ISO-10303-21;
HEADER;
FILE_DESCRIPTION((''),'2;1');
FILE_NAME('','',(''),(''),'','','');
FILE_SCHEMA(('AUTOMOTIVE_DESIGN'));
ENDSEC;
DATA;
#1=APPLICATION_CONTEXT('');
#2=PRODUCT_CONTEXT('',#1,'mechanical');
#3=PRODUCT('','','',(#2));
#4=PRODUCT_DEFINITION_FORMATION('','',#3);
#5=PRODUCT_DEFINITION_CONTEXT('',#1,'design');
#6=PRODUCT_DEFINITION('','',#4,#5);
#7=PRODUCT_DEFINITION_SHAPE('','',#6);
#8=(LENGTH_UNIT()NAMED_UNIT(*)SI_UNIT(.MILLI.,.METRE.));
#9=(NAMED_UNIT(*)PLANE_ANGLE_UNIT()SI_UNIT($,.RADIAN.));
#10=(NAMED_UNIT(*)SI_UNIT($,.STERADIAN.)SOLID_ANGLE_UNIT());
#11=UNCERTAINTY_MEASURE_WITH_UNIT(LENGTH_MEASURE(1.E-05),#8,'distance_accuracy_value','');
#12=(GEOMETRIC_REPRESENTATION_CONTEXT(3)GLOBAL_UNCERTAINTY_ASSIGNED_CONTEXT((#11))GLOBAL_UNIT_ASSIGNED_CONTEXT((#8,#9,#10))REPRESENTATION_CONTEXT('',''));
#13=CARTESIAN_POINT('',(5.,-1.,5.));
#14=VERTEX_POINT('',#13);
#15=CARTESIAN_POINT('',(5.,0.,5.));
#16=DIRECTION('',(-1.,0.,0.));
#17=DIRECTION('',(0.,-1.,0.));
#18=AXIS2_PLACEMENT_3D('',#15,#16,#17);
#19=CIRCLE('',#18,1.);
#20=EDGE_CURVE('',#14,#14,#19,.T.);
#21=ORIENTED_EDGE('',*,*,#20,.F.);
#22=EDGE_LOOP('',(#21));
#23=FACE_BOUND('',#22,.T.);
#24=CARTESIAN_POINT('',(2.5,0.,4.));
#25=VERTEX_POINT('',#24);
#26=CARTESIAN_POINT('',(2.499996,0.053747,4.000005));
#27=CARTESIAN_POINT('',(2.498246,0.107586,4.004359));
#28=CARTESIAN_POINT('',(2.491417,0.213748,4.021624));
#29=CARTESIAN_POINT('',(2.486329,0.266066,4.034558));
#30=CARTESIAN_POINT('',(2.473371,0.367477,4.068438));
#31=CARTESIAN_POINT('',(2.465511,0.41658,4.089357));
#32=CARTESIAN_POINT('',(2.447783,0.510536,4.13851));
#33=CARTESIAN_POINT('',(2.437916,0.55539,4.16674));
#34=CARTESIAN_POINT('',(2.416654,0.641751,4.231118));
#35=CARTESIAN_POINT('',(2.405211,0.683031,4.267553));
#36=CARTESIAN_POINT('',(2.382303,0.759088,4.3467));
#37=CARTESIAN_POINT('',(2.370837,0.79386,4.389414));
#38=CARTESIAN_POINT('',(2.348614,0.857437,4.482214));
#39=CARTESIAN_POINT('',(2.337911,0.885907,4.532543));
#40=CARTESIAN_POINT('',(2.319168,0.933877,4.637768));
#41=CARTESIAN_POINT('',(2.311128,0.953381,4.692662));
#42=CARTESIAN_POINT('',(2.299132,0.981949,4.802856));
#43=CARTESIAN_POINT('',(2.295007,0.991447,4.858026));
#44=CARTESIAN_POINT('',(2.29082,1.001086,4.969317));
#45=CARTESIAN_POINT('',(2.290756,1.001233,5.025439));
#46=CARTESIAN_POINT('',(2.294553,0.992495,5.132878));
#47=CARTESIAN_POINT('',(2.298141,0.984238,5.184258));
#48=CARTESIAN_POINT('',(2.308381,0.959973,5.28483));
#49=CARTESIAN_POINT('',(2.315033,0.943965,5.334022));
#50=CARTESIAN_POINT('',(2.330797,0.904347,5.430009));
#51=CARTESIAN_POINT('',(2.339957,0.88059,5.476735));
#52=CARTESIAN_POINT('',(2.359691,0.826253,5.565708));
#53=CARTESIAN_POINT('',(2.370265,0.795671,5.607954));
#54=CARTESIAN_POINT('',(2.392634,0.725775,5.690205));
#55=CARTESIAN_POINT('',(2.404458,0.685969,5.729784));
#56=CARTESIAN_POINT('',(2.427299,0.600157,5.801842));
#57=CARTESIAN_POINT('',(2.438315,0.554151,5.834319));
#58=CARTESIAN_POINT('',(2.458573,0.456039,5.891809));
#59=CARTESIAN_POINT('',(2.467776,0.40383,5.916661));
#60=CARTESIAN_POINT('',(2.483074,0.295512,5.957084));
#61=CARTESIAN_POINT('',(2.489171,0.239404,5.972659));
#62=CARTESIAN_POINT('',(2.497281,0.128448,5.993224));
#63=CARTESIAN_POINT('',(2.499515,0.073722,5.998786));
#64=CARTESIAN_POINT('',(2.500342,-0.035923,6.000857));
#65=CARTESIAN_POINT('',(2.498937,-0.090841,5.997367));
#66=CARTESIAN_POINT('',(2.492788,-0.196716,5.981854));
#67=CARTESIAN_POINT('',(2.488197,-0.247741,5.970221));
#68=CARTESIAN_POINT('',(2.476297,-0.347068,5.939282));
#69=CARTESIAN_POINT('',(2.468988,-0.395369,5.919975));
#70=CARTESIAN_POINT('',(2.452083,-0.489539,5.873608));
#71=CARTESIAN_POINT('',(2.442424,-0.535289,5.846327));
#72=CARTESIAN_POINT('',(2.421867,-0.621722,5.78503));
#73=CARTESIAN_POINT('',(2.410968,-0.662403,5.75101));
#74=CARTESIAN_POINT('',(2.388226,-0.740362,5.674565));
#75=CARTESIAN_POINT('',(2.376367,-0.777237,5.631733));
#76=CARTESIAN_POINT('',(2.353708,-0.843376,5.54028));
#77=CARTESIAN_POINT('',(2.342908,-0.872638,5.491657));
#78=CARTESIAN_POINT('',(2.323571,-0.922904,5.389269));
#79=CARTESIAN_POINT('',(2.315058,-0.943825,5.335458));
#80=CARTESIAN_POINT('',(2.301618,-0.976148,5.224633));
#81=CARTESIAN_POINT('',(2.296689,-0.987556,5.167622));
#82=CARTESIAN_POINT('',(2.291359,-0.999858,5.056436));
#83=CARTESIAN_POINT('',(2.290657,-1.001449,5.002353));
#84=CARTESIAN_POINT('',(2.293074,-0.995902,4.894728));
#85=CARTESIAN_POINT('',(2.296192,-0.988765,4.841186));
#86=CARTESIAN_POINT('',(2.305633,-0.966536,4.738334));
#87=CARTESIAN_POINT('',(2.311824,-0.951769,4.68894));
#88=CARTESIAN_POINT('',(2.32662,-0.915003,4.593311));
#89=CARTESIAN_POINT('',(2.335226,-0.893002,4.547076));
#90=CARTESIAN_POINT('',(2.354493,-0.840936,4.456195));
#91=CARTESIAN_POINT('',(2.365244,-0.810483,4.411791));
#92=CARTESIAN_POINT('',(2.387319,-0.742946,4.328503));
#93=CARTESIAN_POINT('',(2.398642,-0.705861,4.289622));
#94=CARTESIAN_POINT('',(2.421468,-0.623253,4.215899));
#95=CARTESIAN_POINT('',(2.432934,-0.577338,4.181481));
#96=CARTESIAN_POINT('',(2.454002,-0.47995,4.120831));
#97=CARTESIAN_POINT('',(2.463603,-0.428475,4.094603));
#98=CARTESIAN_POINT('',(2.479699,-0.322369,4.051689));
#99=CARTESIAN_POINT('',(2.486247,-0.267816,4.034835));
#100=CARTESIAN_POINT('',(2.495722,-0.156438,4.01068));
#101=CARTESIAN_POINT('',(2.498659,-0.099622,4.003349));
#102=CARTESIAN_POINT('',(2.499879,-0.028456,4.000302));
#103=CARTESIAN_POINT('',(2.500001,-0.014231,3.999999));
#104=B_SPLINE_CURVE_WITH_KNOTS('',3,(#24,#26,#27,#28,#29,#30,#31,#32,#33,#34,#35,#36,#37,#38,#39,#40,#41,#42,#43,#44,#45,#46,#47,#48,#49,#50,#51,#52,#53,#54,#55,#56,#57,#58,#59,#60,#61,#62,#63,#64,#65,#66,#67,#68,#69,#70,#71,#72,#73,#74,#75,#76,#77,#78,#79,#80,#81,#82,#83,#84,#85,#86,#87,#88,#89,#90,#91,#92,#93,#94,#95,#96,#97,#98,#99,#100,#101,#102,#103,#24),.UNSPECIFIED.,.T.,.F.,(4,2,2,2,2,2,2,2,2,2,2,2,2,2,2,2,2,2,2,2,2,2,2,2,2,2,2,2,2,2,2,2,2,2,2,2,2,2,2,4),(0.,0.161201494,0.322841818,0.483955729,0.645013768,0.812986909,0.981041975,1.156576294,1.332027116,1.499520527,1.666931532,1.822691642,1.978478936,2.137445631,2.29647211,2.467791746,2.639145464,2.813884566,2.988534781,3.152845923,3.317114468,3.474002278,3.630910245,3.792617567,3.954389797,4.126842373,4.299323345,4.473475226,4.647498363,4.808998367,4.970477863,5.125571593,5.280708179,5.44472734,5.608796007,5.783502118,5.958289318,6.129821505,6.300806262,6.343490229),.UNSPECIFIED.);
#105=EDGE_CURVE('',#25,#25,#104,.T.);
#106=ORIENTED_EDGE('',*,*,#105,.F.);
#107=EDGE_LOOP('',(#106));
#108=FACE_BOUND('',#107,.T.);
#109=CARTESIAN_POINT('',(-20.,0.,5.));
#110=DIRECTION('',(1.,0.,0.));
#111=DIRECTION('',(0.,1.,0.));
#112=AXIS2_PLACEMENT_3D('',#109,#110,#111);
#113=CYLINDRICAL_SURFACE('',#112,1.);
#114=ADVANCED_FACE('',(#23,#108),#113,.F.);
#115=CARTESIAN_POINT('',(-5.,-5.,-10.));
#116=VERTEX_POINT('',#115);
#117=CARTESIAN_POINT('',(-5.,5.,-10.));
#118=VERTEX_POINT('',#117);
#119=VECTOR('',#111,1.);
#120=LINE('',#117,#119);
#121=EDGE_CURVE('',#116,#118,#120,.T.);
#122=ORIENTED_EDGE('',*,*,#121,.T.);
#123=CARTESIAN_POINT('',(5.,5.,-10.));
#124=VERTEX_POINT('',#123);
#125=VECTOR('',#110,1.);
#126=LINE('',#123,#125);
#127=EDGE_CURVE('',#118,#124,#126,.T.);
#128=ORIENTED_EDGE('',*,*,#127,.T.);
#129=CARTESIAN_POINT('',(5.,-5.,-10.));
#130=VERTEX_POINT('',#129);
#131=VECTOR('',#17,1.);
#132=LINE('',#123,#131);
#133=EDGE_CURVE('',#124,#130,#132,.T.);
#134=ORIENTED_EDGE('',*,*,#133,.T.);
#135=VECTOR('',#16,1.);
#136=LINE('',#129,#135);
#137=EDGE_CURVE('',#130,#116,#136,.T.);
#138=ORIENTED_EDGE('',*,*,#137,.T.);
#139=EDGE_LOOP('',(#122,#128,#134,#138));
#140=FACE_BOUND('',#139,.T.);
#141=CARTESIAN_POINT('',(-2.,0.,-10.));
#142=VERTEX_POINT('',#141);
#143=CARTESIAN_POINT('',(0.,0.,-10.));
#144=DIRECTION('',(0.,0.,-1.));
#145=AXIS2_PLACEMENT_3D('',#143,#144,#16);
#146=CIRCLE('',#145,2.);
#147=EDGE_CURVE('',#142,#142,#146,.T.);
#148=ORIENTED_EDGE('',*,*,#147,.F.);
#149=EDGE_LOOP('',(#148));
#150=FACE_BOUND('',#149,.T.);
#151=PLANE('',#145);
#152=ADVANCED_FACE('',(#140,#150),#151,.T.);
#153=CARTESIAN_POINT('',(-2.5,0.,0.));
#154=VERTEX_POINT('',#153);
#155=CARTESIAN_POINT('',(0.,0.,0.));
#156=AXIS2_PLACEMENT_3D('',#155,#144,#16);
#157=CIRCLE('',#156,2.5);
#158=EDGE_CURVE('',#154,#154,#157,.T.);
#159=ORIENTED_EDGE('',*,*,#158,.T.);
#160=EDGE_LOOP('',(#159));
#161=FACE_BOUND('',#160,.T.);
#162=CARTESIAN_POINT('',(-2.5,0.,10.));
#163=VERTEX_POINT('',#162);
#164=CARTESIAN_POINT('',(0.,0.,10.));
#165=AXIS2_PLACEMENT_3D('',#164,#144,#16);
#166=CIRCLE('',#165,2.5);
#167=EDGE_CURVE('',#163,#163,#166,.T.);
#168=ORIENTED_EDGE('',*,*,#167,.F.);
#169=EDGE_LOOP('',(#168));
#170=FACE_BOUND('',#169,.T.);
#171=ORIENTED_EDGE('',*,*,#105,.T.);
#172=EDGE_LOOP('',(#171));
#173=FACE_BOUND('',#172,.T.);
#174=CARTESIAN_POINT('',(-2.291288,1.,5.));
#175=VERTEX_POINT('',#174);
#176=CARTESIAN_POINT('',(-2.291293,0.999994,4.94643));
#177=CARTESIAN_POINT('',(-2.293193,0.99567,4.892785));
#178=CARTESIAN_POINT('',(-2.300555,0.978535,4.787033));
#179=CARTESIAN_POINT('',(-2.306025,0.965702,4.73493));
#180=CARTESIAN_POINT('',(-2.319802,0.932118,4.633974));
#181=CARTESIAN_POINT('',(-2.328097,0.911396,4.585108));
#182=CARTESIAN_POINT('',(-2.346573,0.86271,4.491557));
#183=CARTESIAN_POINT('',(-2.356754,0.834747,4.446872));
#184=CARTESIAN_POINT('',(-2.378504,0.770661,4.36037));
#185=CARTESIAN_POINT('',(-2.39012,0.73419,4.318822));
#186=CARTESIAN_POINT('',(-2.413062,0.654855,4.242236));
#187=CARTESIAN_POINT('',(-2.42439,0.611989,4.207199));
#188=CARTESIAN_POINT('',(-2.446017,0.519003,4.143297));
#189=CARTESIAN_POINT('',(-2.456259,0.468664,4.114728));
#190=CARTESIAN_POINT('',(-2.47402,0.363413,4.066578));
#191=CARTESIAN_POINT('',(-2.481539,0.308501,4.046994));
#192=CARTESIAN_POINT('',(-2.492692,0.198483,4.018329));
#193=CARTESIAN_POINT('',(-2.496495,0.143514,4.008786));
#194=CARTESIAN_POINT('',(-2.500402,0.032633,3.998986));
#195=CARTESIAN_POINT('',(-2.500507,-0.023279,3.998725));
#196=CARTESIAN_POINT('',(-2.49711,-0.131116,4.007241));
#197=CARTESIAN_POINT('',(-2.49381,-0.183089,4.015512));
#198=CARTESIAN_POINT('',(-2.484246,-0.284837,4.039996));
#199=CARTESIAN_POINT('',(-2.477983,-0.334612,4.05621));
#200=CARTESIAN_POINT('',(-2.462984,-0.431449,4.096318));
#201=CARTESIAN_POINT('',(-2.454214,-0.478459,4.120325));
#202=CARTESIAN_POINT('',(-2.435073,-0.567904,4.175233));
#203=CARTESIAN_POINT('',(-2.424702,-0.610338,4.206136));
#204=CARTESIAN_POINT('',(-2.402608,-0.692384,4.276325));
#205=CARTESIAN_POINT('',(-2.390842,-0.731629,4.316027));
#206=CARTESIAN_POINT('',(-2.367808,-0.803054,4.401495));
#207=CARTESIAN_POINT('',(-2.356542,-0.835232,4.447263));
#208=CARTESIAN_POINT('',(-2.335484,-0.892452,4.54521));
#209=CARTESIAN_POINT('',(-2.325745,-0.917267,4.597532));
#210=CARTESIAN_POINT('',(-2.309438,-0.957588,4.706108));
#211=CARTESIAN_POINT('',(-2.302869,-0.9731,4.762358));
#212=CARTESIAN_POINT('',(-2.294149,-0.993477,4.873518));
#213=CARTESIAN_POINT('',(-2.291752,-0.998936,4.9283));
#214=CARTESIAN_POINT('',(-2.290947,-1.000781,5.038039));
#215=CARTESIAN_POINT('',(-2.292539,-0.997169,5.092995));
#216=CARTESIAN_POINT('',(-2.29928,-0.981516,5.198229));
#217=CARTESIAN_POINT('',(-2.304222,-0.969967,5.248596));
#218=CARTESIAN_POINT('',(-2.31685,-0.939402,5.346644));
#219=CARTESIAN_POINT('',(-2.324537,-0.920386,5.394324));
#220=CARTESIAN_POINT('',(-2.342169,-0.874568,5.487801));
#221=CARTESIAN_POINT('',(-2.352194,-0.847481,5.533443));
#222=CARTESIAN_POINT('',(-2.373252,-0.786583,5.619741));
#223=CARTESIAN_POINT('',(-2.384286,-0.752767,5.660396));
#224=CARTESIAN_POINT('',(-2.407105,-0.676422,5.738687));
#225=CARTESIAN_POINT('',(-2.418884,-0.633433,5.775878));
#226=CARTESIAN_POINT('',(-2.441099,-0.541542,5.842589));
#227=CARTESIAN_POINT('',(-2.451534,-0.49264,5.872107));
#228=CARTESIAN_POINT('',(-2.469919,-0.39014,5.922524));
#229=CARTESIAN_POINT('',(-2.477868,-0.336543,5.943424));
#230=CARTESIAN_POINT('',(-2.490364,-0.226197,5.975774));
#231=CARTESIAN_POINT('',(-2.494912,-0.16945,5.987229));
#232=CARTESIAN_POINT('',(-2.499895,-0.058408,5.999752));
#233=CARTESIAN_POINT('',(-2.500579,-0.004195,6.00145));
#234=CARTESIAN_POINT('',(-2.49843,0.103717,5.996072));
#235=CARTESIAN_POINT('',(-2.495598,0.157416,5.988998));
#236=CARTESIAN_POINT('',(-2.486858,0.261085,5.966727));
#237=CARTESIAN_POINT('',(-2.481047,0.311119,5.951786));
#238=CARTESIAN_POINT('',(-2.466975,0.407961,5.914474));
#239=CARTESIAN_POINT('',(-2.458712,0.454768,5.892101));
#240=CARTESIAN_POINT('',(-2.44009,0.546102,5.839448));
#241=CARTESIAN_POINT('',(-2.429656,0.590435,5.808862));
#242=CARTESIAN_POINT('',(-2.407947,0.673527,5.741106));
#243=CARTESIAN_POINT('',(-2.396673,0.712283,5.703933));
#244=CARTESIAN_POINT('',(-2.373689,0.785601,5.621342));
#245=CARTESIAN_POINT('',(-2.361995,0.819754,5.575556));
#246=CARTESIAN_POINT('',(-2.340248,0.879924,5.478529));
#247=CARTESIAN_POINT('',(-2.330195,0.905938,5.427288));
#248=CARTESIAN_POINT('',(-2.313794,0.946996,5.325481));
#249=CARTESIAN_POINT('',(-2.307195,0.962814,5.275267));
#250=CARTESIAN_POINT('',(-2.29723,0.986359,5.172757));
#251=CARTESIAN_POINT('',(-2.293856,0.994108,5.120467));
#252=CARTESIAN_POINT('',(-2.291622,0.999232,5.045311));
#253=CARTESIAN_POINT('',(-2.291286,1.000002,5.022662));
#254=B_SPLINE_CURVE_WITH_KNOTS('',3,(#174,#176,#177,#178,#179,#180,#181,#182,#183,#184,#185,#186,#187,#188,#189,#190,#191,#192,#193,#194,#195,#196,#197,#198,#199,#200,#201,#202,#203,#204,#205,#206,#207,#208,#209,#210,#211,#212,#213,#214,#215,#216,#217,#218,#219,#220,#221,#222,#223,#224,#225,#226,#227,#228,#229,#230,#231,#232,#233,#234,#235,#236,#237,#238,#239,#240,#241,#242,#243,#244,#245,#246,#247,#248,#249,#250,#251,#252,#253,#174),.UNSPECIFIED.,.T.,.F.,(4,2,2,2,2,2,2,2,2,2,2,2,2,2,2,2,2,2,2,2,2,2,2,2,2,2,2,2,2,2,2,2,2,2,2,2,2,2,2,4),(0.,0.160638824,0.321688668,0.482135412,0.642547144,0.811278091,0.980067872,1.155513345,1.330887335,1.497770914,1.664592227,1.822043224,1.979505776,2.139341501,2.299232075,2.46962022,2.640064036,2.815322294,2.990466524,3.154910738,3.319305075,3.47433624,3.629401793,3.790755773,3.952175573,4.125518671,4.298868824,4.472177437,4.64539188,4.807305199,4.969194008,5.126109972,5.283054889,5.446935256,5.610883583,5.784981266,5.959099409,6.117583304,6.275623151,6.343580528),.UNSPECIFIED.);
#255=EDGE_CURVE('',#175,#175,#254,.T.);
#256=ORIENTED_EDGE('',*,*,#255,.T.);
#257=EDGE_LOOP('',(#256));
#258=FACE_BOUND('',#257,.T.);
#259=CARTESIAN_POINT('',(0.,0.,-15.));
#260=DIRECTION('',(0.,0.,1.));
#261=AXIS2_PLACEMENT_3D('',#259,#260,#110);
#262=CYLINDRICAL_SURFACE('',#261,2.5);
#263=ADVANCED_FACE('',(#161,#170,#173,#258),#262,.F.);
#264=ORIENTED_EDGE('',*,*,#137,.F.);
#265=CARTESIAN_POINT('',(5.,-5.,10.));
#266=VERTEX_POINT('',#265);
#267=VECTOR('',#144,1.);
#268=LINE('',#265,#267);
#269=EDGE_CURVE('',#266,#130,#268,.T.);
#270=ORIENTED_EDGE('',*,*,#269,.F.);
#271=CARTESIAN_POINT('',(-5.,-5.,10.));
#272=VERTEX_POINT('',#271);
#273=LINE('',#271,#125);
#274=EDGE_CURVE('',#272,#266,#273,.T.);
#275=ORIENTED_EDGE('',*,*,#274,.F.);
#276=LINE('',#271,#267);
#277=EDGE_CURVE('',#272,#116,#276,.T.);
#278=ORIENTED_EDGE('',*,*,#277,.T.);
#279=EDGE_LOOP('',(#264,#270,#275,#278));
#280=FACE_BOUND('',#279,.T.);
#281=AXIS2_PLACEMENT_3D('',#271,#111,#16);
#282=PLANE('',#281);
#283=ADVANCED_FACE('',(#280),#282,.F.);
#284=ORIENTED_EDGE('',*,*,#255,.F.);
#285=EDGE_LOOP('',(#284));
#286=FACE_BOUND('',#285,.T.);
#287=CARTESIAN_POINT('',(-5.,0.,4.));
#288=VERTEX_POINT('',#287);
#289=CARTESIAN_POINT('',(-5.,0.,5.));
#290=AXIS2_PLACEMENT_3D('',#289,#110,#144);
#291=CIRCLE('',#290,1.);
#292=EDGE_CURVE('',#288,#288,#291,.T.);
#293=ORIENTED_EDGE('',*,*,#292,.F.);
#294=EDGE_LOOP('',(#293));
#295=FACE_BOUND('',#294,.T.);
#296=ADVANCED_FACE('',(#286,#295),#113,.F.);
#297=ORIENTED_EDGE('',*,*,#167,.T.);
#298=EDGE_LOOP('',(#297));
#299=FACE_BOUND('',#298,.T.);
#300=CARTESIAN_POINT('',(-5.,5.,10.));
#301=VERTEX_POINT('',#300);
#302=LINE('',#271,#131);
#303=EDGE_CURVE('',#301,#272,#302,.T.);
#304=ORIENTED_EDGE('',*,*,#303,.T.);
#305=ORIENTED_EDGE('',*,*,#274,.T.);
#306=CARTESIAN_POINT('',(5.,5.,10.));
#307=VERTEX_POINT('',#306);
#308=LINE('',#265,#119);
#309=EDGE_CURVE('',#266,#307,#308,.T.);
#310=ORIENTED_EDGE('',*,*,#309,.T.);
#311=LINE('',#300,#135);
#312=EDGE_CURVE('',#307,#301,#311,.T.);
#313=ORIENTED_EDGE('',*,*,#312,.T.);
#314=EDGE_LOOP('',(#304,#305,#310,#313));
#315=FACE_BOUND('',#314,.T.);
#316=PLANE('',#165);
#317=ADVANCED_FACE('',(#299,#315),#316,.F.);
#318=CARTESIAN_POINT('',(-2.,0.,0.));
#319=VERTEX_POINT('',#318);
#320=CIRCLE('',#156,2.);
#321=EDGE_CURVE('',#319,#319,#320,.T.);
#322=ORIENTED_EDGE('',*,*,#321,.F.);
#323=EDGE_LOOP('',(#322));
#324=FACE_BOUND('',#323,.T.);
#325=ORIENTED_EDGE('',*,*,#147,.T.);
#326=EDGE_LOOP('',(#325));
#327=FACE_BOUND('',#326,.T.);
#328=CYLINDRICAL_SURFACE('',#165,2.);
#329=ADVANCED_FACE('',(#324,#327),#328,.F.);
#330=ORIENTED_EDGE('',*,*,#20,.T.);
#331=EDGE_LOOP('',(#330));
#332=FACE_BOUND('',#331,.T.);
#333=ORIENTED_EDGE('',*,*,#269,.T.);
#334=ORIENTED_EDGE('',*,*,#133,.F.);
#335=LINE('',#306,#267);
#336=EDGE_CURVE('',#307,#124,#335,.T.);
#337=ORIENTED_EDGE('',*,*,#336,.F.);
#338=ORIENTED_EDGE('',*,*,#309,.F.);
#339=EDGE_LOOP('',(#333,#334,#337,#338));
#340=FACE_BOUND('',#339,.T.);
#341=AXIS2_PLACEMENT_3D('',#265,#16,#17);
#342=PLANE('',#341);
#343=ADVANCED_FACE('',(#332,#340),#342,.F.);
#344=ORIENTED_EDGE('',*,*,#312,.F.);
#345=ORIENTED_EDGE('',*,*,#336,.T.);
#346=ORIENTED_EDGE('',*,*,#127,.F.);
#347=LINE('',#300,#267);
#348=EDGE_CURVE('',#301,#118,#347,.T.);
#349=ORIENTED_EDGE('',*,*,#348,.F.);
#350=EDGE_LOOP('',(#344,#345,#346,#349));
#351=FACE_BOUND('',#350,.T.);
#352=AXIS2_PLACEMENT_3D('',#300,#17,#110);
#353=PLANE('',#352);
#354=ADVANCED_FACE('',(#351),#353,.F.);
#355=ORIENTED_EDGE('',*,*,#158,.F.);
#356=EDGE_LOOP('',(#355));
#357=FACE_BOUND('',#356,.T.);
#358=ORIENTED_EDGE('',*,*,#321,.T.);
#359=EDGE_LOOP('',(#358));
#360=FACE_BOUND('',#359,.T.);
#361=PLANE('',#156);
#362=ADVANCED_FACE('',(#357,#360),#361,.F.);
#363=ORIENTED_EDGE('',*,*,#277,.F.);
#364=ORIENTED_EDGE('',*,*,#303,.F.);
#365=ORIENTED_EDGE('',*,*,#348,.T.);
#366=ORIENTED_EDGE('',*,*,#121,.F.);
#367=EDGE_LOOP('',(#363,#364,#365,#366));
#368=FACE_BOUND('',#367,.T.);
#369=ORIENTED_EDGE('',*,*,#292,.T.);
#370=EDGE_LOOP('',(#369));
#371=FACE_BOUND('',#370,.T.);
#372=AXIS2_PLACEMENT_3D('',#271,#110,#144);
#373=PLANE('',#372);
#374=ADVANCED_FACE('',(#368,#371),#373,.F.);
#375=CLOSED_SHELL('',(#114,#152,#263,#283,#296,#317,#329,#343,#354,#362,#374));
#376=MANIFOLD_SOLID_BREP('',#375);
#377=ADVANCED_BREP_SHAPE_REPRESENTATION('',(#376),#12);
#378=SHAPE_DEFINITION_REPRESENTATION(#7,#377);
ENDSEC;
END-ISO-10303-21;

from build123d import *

# Parameters (mm, degrees)
SKETCH_1_W          = 10
SKETCH_1_H          = 10
EXTRUDE_1_DEPTH     = 10
SKETCH_2_R          = 2.5
EXTRUDE_2_DEPTH     = 5
SKETCH_3_R          = 1
EXTRUDE_3_DEPTH     = 5
CUT_EXTRUDE_START   = -30
SKETCH_4_R          = 2.5
CUT_EXTRUDE_1_DEPTH = 30
SKETCH_5_R          = 1
CUT_EXTRUDE_2_DEPTH = 30
SKETCH_9_W          = 10
SKETCH_9_H          = 10
EXTRUDE_5_DEPTH     = 10
SKETCH_10_R         = 2
CUT_EXTRUDE_4_DEPTH = 20


with BuildPart() as part:
    # 草图1 → 凸台-拉伸1 (new body)
    with BuildSketch(Plane.XY):
        Rectangle(SKETCH_1_W, SKETCH_1_H)
    extrude(amount=EXTRUDE_1_DEPTH)

    # 草图2 → 凸台-拉伸2 (add)
    with BuildSketch(Plane.XY.offset(10)):
        Circle(SKETCH_2_R)
    extrude(amount=EXTRUDE_2_DEPTH)

    # 草图3 → 凸台-拉伸3 (add)
    with BuildSketch(Plane(origin=(5, 0, 0), x_dir=(0, 0, -1), z_dir=(1, 0, 0))):
        with Locations(Location((-5, 0, 0), (0, 0, 270))):
            Circle(SKETCH_3_R)
    extrude(amount=EXTRUDE_3_DEPTH)

    # 草图4 → 切除-拉伸1 (cut)
    with BuildSketch(Plane.XY.offset(15).offset(CUT_EXTRUDE_START)):
        with Locations(Location((0, 0, 0), (0, 0, 180))):
            Circle(SKETCH_4_R)
    extrude(amount=CUT_EXTRUDE_1_DEPTH, mode=Mode.SUBTRACT)

    # 草图5 → 切除-拉伸2 (cut)
    with BuildSketch(Plane(origin=(10, 0, 0), x_dir=(0, 0, -1), z_dir=(1, 0, 0)).offset(CUT_EXTRUDE_START)):
        with Locations((-5, 0)):
            Circle(SKETCH_5_R)
    extrude(amount=CUT_EXTRUDE_2_DEPTH, mode=Mode.SUBTRACT)

    # 草图9 → 凸台-拉伸5 (add)
    with BuildSketch(Plane(origin=(0, 0, 0), x_dir=(-1, 0, 0), z_dir=(0, 0, -1))):
        Rectangle(SKETCH_9_W, SKETCH_9_H)
    extrude(amount=EXTRUDE_5_DEPTH)

    # 草图10 → 切除-拉伸4 (cut)
    with BuildSketch(Plane(origin=(0, 0, -10), x_dir=(-1, 0, 0), z_dir=(0, 0, -1))):
        Circle(SKETCH_10_R)
    extrude(amount=-CUT_EXTRUDE_4_DEPTH, mode=Mode.SUBTRACT)


solid = part.part
